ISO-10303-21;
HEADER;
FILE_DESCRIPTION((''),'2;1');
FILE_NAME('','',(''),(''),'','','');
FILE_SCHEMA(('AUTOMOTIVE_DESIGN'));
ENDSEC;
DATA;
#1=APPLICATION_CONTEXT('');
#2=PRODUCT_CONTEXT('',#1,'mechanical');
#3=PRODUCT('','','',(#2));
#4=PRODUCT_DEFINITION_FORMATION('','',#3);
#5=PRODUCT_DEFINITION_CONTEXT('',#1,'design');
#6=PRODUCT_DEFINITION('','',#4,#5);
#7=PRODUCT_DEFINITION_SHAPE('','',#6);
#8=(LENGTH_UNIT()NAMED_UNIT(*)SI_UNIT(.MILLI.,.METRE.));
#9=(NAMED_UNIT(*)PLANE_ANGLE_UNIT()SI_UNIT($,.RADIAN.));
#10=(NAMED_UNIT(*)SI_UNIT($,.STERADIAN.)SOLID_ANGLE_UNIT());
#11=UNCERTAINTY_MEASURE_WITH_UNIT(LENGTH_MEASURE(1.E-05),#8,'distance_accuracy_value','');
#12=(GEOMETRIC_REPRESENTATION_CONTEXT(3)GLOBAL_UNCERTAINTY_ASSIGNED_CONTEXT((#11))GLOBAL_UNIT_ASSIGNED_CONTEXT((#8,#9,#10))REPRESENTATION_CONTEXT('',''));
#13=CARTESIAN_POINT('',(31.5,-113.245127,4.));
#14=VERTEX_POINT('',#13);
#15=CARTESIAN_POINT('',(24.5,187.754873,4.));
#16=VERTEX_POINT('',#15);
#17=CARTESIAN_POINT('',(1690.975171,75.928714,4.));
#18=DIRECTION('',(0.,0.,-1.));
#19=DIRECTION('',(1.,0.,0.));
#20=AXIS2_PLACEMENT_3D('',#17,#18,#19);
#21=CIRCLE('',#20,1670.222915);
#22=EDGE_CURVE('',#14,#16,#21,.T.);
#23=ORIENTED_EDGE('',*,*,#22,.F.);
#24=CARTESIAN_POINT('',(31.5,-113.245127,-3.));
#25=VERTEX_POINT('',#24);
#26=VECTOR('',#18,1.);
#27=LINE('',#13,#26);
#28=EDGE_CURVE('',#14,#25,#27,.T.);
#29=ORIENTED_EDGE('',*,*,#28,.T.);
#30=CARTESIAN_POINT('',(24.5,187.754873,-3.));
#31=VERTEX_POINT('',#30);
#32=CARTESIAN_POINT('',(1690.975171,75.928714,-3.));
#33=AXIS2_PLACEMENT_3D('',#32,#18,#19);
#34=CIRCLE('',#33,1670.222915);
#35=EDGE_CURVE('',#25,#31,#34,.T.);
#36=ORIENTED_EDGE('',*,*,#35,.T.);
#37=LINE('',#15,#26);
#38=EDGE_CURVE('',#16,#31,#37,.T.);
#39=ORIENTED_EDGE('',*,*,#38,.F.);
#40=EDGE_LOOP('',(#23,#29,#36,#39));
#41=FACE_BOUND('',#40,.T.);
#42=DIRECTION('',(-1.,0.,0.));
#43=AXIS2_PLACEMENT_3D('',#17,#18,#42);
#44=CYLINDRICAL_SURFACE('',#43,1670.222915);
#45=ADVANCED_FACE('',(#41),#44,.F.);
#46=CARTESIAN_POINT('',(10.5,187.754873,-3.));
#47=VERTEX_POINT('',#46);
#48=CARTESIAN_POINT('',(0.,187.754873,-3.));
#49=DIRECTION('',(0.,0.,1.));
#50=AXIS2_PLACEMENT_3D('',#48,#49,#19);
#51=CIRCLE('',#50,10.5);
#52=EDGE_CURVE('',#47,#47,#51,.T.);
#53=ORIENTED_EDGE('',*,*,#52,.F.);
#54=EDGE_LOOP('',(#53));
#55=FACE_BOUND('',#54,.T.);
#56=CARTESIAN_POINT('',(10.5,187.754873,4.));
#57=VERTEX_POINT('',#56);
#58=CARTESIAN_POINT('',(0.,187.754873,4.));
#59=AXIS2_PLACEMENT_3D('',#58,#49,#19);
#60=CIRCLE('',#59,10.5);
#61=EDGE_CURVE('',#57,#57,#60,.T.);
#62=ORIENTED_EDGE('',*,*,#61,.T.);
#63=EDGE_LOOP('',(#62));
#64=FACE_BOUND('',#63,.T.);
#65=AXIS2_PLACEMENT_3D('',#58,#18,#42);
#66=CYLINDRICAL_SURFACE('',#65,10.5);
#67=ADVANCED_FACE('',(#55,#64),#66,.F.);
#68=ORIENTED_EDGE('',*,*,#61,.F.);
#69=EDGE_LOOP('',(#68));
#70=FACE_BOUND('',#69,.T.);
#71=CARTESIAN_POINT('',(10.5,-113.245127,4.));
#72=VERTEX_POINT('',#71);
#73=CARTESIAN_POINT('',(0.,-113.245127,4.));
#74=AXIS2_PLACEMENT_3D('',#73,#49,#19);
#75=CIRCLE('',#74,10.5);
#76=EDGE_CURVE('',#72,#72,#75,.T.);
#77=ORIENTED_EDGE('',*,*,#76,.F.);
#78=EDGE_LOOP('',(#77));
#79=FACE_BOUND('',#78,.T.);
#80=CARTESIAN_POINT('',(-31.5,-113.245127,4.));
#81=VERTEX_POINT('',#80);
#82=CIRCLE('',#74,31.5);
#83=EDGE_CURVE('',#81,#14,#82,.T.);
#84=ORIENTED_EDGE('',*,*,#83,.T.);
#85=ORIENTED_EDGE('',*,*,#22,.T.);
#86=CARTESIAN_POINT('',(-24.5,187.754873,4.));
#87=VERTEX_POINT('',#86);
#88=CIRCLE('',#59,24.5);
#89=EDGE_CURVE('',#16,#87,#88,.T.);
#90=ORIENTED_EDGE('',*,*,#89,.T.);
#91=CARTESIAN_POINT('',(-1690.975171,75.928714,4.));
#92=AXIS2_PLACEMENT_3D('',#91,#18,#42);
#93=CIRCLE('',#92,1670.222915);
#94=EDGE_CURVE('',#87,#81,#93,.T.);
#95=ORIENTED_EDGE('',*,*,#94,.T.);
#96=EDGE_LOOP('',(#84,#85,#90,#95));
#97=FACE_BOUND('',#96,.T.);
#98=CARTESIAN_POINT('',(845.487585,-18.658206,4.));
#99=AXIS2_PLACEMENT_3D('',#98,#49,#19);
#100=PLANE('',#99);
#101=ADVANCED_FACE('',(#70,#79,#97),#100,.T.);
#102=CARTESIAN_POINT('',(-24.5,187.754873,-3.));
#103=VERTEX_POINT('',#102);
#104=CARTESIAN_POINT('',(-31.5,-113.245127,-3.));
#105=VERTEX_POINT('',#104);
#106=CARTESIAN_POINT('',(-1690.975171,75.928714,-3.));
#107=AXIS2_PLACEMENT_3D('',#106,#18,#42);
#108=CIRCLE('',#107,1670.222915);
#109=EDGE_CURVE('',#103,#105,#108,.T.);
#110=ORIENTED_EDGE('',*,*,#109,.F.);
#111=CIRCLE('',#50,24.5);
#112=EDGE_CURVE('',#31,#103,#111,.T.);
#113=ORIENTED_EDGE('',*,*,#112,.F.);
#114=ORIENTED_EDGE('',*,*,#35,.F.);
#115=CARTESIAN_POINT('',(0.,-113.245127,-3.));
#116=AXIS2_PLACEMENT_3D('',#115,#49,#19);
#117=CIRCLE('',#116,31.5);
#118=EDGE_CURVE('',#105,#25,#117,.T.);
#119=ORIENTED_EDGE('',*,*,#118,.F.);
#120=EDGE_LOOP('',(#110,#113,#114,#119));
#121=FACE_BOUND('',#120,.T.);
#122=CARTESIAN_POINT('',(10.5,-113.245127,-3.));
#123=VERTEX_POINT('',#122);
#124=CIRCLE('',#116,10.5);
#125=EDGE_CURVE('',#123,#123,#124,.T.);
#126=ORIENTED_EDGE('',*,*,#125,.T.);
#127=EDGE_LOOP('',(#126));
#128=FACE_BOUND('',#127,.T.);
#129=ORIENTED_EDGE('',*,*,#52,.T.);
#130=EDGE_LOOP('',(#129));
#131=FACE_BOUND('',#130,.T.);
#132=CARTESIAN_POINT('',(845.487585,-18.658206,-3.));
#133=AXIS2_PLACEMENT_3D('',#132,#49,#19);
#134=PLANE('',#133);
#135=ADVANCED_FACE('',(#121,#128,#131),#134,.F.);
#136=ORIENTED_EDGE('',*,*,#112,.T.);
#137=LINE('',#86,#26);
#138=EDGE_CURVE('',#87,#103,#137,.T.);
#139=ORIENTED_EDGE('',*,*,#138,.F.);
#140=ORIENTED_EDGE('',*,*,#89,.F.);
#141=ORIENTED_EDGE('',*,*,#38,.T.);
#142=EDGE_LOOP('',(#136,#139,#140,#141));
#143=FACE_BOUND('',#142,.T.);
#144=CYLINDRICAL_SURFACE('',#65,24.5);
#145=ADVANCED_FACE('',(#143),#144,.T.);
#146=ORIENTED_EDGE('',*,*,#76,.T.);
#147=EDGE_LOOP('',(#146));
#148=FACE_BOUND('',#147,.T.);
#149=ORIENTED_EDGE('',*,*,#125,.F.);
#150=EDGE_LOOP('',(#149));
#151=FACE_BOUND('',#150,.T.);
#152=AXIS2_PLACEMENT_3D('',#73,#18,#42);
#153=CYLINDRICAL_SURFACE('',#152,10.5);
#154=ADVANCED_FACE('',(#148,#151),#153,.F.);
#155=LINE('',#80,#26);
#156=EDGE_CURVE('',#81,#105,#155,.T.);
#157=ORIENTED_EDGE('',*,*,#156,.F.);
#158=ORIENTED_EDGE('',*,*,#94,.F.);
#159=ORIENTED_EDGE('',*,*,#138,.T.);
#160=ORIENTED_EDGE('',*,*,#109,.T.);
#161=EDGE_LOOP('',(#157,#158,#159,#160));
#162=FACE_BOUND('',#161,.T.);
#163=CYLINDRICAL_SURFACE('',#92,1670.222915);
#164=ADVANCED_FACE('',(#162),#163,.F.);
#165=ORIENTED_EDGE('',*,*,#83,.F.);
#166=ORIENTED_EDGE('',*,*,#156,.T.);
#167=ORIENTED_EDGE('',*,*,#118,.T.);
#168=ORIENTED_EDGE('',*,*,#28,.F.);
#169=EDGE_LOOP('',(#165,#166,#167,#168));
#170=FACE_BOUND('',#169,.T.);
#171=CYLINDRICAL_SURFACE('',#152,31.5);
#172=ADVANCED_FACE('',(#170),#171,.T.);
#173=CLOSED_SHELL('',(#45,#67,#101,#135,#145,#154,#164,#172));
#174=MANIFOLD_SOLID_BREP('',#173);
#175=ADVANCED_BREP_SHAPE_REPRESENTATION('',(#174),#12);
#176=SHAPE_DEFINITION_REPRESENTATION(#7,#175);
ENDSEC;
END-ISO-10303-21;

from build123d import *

# Parameters (mm, degrees)
CROQUIS2_R              = 1.5
SALIENTE_EXTRUIR1_DEPTH = 1
ESCALA1_SCALE           = 7


with BuildPart() as part:
    # Croquis2 → Saliente-Extruir1 (new body)
    with BuildSketch(Plane.XY):
        with BuildLine():
            ThreePointArc((3.5, 47.5), (0, 51), (-3.5, 47.5))
            ThreePointArc((-3.5, 47.5), (-3.029104107, 25.977421026), (-4.5, 4.5))
            ThreePointArc((-4.5, 4.5), (0, 0), (4.5, 4.5))
            ThreePointArc((4.5, 4.5), (3.029104107, 25.977421026), (3.5, 47.5))
        make_face()
        with Locations((0, 47.5)):
            Circle(CROQUIS2_R, mode=Mode.SUBTRACT)
        with Locations((0, 4.5)):
            Circle(CROQUIS2_R, mode=Mode.SUBTRACT)
    extrude(amount=SALIENTE_EXTRUIR1_DEPTH)


with BuildPart() as part_1:
    # Escala1: scaled about (0, 24.124187823, 0.5)
    add(part.part.scale(ESCALA1_SCALE).moved(Location((0, -144.745126938, -3))))


solid = part_1.part
